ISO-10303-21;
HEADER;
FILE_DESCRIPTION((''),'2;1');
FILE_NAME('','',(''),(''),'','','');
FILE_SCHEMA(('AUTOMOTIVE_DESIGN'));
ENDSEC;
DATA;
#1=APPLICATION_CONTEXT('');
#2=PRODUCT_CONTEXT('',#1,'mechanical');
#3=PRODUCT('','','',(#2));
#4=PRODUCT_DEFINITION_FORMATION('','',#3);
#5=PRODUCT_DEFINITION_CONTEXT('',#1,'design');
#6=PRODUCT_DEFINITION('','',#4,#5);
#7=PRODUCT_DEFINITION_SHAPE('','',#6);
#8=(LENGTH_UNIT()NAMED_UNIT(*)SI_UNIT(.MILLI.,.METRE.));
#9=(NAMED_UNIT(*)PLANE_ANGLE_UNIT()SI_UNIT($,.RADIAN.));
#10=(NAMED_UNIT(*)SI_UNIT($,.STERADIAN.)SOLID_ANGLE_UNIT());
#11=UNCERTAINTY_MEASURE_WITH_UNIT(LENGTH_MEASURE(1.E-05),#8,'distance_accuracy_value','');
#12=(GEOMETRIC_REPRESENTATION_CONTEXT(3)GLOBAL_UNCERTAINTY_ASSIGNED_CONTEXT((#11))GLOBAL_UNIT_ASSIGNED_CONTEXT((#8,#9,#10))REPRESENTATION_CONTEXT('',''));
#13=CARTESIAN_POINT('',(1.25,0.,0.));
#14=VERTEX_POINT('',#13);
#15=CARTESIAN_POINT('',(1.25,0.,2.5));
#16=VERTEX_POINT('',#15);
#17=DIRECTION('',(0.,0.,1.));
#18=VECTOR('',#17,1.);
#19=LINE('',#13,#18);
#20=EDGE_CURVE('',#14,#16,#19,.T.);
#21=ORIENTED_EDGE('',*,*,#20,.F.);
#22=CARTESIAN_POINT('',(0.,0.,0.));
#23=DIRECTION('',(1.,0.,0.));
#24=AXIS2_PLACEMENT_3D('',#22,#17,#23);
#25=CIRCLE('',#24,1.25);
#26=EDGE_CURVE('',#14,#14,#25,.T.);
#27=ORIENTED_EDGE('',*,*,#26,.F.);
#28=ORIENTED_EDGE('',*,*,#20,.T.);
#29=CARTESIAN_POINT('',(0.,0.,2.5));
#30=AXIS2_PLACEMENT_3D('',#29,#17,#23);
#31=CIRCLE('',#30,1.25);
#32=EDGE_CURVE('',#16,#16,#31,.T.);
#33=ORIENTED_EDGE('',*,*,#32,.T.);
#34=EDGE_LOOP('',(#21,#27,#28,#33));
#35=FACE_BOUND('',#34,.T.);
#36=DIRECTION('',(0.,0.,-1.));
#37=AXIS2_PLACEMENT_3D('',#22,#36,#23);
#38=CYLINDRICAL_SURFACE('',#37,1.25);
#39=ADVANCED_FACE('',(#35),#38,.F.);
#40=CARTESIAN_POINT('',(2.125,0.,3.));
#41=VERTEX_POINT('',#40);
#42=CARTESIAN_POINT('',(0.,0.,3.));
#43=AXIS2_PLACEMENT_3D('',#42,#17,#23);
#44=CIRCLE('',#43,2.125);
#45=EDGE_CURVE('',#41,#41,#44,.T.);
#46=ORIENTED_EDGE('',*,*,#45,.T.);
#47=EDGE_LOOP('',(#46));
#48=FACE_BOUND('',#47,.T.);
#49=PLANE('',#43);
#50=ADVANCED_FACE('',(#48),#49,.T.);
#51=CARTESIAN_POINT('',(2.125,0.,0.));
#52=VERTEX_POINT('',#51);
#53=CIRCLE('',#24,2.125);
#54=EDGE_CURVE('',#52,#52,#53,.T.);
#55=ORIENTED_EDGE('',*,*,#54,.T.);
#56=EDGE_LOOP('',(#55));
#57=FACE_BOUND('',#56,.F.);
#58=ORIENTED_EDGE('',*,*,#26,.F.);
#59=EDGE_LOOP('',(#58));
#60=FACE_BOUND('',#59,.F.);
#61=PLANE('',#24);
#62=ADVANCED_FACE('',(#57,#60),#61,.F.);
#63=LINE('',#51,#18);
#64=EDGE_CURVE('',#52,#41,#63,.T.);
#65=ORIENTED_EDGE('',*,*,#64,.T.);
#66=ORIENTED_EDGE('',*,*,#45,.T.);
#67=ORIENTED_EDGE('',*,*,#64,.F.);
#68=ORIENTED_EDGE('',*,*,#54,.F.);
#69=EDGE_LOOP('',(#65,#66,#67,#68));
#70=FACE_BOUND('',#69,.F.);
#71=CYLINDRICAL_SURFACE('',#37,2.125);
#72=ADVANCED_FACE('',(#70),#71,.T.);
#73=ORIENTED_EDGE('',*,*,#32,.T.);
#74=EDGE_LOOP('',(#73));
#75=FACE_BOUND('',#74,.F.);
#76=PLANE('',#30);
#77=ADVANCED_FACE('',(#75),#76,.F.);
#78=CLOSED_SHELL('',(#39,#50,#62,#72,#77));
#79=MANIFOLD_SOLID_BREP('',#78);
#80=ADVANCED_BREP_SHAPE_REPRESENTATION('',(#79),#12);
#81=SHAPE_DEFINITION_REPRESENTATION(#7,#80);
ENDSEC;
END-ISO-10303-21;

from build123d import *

# Parameters (mm, degrees)
F2_R     = 2.125
F2_R_2   = 1.25
F3_DEPTH = 3
F4_DEPTH = 2.5


with BuildPart() as f3:
    # F2 (on Top) → F3 (new body)
    with BuildSketch(Plane.XY):
        Circle(F2_R)
        Circle(F2_R_2, mode=Mode.SUBTRACT)
        Circle(F2_R_2)
    extrude(amount=F3_DEPTH)

    # F2 (on Top) → F4 (cut)
    with BuildSketch(Plane.XY):
        Circle(F2_R_2)
    extrude(amount=F4_DEPTH, mode=Mode.SUBTRACT)


solid = f3.part
